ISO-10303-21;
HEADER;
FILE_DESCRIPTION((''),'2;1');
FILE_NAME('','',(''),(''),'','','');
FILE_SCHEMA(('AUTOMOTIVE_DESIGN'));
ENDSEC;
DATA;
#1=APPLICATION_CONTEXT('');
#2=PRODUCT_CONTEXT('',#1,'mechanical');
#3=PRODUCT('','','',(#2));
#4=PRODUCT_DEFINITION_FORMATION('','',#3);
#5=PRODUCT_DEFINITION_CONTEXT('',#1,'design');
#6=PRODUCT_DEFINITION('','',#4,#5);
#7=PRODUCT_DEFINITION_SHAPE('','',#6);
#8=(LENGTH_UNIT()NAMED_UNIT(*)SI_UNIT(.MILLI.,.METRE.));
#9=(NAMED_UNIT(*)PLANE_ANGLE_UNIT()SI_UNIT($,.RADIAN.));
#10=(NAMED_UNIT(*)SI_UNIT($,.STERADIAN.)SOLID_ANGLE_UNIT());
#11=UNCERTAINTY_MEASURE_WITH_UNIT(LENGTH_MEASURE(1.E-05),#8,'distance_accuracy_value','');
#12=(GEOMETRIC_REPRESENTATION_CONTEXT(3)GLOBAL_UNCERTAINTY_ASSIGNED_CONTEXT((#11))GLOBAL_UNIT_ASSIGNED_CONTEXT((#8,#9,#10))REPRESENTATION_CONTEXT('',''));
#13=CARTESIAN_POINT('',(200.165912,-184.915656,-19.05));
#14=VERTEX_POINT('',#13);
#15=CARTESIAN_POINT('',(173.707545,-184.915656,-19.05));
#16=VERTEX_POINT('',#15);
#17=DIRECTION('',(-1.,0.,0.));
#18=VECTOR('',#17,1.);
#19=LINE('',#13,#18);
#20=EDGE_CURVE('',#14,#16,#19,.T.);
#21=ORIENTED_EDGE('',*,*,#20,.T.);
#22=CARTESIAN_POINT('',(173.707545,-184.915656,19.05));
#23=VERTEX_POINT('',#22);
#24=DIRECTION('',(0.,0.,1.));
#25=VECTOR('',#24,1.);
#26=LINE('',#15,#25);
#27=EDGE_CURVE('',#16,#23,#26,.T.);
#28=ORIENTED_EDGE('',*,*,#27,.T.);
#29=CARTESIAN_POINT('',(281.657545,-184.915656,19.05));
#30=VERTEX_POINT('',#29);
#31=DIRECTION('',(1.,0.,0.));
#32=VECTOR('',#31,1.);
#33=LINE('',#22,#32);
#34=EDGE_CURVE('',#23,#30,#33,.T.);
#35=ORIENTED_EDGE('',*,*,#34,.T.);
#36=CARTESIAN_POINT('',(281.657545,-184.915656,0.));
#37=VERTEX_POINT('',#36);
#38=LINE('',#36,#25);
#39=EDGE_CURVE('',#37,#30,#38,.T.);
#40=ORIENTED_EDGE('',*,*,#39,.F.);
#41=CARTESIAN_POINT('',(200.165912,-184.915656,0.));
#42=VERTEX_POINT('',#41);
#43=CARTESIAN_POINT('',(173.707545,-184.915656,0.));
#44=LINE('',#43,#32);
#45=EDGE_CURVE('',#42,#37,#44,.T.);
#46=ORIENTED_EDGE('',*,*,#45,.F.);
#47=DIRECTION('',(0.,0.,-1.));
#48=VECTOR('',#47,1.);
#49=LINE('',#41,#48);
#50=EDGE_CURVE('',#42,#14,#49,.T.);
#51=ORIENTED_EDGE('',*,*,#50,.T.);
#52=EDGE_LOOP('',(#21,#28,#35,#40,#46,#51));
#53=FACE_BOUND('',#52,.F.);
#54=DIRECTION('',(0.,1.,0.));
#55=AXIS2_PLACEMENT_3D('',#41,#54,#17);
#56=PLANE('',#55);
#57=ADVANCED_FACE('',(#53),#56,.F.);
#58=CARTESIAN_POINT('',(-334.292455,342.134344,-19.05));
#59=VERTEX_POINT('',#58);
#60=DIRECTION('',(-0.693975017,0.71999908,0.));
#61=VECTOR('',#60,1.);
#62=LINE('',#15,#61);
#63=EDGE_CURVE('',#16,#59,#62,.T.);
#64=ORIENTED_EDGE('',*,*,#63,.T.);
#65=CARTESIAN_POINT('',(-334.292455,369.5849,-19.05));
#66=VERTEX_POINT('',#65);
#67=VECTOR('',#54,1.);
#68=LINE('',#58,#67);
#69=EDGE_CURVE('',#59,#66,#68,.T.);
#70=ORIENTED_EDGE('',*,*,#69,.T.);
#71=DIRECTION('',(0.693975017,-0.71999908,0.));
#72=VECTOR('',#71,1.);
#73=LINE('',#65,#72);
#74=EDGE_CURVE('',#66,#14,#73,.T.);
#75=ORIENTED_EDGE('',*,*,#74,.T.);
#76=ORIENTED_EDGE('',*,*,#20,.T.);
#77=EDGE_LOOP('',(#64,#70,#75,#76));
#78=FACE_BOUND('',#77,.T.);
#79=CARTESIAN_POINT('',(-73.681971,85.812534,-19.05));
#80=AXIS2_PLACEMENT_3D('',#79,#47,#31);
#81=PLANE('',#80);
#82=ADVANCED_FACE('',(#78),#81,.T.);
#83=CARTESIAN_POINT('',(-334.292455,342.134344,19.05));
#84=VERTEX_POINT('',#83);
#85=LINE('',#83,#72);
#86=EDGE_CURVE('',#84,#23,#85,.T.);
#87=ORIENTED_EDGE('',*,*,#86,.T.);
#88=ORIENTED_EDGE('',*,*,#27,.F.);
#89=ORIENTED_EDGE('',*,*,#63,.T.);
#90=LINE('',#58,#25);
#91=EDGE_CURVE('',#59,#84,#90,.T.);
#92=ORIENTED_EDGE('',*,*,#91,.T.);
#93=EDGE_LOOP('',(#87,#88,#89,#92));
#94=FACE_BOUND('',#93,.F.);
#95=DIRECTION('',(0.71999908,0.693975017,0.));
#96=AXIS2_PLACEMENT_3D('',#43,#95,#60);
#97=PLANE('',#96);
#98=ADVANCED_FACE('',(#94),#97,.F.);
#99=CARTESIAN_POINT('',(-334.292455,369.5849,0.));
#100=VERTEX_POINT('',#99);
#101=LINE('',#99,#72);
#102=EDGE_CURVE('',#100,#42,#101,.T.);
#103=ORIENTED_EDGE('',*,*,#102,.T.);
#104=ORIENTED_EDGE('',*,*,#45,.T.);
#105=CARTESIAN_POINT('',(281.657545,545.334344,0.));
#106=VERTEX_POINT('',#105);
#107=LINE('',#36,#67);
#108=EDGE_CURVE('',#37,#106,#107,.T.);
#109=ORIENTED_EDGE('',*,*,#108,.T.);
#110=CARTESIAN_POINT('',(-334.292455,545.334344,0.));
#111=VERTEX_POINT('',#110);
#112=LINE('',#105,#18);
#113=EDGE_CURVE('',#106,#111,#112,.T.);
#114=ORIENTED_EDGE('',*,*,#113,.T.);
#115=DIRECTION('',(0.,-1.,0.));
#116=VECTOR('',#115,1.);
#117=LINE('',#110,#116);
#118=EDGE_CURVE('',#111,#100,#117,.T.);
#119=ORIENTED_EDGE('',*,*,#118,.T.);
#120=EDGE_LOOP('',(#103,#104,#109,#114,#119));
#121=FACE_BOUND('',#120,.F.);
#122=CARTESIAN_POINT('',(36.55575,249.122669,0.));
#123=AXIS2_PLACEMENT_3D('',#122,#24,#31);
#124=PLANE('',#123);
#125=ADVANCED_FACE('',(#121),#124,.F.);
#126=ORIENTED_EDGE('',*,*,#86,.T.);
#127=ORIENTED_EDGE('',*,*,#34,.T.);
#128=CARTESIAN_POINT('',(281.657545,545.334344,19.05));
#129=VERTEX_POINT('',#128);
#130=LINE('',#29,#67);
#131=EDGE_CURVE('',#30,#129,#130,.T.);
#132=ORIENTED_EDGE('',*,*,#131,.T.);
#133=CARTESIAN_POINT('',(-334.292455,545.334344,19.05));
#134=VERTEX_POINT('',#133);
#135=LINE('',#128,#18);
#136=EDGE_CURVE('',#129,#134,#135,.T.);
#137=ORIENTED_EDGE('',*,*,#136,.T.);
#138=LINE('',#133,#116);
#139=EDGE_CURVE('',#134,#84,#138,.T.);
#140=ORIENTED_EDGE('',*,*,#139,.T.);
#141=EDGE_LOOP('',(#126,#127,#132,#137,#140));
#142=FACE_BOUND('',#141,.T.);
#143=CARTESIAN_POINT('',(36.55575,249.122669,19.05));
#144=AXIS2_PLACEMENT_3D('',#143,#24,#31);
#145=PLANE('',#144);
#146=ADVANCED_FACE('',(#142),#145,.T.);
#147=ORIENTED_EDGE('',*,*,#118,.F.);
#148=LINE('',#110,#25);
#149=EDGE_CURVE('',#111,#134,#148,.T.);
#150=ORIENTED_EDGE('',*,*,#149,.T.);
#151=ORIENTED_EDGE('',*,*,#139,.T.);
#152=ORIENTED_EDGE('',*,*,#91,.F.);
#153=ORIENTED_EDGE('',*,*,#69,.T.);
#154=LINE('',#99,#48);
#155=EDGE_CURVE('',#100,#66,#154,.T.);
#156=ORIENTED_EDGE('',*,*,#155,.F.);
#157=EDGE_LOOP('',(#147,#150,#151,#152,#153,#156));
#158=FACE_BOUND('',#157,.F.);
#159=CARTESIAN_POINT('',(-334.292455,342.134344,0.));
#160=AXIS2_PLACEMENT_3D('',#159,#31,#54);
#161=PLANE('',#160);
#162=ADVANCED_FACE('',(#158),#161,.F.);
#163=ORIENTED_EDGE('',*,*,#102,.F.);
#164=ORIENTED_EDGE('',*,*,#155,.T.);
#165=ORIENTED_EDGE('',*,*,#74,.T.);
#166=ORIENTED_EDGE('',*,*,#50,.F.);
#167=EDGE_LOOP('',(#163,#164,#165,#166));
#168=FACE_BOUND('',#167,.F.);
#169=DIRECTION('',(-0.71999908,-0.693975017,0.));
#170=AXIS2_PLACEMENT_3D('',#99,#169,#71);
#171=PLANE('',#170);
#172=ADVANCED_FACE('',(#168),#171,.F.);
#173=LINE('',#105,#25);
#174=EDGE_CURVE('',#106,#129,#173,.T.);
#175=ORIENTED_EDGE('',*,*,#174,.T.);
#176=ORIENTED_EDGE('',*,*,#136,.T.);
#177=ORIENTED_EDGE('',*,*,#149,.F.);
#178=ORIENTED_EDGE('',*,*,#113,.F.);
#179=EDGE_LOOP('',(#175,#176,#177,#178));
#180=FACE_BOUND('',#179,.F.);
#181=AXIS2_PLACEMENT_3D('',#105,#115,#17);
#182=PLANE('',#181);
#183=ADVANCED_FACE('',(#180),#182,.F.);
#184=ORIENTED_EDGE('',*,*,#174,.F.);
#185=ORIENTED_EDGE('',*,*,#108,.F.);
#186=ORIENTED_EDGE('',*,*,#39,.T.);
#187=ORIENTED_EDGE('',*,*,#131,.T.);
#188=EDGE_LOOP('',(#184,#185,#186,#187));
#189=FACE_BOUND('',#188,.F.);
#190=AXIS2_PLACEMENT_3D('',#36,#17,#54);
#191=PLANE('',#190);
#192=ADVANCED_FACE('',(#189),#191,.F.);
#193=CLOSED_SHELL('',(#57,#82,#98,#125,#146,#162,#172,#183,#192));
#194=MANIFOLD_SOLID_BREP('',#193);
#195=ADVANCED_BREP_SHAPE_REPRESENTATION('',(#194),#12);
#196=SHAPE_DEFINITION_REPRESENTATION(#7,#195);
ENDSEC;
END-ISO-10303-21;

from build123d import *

# Parameters (mm, degrees)
F1_DEPTH = 19.05
F3_DEPTH = 19.05


with BuildPart() as f1:
    # F0 (on Top) → F1 (new body)
    with BuildSketch(Plane.XY):
        Polygon((281.657545, 545.334344), (-334.292455, 545.334344), (-334.292455, 342.134344), (173.707545, -184.915656), (281.657545, -184.915656), align=None)
    extrude(amount=F1_DEPTH)

    # F2 (on face) → F3 (join)
    with BuildSketch(Plane(origin=(0, 0, 0), x_dir=(1, 0, 0), z_dir=(0, 0, -1))):
        Polygon((-334.292455, -342.134344), (-334.292455, -369.5849), (200.165912, 184.915656), (173.707545, 184.915656), align=None)
    extrude(amount=F3_DEPTH)


solid = f1.part
